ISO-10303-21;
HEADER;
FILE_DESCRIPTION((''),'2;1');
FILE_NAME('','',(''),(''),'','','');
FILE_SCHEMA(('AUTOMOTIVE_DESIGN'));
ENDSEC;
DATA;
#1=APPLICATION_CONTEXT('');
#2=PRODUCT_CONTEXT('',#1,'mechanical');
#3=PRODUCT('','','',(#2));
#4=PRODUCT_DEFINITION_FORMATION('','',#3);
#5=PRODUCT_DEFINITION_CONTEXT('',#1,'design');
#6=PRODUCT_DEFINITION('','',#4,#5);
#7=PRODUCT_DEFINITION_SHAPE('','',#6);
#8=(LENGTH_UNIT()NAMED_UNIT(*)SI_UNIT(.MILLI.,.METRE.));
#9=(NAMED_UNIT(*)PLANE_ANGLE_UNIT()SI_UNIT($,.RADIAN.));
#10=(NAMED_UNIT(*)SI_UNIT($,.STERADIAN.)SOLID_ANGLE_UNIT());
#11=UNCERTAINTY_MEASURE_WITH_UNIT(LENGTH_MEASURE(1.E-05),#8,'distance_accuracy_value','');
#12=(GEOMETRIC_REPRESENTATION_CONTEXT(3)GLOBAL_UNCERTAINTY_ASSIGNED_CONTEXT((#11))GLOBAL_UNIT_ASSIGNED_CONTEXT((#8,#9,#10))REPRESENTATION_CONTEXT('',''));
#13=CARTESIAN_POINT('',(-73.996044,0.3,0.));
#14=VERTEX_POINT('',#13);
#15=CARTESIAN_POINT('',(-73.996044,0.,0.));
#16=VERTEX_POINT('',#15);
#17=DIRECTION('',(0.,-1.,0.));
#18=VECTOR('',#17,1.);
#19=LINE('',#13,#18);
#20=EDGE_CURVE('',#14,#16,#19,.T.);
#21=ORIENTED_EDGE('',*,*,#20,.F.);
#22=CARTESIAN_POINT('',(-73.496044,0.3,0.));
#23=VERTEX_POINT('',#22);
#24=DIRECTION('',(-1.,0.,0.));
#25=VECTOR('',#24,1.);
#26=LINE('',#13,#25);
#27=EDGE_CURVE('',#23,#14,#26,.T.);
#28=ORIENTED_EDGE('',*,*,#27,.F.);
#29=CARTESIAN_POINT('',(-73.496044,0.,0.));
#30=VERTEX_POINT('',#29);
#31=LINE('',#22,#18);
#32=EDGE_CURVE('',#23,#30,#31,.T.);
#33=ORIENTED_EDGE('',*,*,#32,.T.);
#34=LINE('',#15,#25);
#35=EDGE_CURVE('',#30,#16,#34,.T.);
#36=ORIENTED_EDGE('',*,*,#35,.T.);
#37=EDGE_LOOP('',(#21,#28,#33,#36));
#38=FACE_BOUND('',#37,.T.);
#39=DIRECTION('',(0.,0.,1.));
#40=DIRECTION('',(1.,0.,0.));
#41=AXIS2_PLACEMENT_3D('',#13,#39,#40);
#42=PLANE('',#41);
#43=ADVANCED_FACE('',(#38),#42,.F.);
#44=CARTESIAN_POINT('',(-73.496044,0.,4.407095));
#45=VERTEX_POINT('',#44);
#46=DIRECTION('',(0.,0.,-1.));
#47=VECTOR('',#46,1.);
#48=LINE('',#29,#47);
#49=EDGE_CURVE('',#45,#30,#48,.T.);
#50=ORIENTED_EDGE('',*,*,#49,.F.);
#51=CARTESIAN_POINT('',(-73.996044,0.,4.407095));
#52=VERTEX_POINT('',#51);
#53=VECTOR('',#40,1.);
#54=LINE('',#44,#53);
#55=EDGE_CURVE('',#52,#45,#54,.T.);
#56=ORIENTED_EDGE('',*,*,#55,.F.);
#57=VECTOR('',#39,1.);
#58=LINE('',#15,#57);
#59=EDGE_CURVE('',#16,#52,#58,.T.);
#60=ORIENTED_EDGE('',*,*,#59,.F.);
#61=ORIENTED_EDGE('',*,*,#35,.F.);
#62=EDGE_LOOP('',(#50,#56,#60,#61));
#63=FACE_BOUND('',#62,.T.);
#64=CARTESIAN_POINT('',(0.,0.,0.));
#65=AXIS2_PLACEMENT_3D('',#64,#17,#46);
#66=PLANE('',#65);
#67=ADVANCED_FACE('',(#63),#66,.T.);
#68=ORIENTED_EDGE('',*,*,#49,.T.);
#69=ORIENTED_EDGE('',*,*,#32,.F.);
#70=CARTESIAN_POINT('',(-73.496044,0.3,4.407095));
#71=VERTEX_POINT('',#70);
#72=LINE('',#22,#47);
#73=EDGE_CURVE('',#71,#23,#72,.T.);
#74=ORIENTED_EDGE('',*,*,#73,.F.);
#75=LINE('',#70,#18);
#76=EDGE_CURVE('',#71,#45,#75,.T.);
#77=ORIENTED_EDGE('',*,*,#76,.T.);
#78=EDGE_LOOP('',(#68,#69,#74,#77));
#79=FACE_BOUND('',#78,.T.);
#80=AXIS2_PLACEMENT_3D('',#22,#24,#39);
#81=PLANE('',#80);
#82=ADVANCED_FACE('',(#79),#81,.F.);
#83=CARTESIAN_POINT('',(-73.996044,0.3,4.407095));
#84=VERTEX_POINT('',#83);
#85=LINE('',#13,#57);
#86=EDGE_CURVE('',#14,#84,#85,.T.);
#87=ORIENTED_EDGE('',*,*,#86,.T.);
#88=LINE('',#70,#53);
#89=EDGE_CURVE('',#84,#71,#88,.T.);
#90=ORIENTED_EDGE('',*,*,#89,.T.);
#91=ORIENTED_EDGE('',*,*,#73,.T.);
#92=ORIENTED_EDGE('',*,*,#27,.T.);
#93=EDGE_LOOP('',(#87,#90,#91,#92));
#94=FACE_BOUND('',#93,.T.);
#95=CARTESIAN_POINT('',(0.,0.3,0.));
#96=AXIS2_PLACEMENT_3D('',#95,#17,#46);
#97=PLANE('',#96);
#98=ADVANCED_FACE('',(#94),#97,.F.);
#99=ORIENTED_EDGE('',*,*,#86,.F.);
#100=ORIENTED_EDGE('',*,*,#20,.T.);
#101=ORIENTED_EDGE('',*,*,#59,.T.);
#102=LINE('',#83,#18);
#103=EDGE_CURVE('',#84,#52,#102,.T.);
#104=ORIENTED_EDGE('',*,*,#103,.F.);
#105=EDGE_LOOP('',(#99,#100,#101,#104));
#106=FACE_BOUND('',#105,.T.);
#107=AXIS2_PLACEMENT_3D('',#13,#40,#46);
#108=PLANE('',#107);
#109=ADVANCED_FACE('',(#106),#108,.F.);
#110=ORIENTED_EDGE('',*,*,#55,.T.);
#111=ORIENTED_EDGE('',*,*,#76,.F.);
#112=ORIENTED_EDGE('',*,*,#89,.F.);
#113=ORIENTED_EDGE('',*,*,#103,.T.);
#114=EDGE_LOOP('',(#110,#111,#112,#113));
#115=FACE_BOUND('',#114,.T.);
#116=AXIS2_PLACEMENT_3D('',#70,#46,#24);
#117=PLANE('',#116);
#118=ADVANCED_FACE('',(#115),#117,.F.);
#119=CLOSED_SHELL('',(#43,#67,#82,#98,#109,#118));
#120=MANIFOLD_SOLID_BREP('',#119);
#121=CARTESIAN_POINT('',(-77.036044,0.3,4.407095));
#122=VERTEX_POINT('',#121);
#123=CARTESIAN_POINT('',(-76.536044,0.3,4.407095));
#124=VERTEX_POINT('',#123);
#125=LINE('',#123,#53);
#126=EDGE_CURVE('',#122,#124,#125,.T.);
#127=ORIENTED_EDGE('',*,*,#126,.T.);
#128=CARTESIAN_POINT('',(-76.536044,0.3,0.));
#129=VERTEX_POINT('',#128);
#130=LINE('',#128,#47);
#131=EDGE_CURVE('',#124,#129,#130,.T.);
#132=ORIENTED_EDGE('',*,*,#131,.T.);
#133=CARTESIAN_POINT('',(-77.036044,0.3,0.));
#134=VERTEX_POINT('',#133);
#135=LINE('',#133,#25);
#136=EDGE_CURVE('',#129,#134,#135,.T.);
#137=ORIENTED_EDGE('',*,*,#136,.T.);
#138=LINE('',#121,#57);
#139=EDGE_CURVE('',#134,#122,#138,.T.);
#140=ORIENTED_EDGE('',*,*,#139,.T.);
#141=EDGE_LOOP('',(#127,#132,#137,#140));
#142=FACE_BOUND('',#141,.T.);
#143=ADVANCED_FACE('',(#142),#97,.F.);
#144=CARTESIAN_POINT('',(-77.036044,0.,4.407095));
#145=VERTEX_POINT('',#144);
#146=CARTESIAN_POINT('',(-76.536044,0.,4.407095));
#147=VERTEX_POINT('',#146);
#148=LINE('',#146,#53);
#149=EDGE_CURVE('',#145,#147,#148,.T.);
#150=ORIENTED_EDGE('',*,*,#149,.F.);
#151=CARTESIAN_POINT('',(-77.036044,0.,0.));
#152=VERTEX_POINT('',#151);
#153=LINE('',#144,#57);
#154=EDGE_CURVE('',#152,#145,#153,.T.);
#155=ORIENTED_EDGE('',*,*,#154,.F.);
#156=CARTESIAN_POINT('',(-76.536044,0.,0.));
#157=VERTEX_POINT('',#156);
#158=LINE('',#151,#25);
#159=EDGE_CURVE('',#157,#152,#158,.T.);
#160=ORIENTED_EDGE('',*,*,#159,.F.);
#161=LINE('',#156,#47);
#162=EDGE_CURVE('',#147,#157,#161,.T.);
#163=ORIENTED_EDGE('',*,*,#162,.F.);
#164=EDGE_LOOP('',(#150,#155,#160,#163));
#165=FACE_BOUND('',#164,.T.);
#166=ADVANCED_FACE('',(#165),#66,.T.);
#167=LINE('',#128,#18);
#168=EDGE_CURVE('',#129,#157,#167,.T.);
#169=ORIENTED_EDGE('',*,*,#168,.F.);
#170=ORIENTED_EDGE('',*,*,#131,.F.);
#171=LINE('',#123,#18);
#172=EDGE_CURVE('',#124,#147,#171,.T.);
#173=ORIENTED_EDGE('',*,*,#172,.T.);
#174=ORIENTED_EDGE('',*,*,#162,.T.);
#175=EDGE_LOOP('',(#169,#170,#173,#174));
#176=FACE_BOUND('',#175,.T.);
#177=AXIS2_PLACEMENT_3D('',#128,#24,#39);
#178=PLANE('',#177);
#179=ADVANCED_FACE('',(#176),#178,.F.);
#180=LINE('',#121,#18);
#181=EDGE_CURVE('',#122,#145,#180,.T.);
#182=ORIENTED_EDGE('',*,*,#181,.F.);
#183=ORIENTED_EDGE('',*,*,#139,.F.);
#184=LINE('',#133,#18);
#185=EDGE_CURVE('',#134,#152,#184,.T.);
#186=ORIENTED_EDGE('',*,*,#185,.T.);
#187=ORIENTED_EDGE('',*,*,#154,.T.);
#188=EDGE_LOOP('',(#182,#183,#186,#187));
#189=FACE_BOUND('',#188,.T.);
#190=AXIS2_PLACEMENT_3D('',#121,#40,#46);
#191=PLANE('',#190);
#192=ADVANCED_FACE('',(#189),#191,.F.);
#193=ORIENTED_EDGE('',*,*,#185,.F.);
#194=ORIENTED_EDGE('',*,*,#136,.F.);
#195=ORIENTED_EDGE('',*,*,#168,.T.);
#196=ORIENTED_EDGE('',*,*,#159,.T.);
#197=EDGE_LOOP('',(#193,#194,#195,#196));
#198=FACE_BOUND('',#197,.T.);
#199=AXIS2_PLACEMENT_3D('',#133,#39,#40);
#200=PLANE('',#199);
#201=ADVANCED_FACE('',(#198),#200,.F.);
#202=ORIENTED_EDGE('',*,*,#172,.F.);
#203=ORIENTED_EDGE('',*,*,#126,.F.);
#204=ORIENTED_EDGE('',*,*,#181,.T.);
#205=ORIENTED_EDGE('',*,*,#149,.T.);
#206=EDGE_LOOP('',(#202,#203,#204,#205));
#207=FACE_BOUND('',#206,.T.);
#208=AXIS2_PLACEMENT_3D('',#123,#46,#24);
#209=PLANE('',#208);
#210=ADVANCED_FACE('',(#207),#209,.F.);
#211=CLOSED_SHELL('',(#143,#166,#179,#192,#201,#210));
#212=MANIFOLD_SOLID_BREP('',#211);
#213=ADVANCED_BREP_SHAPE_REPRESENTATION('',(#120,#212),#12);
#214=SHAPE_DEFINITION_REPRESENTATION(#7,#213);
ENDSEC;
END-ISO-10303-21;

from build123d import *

# Parameters (mm, degrees)
SKETCH_1_W        = 0.5
SKETCH_1_H        = 4.407095456
EXTRUDE_1_DEPTH   = 0.3
EXTRUDE_1_2_DEPTH = 0.3


with BuildPart() as part:
    # Эскиз1 → Бобышка-Вытянуть1 (new body)
    with BuildSketch(Plane(origin=(0, 0, 0), x_dir=(1, 0, 0), z_dir=(0, 1, 0))):
        with Locations((-76.786043786, -2.203547728)):
            Rectangle(SKETCH_1_W, SKETCH_1_H)
    extrude(amount=EXTRUDE_1_DEPTH)


with BuildPart() as body_2:
    # Эскиз1 → Extrude 1 2 (new body)
    with BuildSketch(Plane(origin=(0, 0, 0), x_dir=(1, 0, 0), z_dir=(0, 1, 0))):
        with Locations((-73.746043786, -2.203547728)):
            Rectangle(SKETCH_1_W, SKETCH_1_H)
    extrude(amount=EXTRUDE_1_2_DEPTH)


solid = Compound([part.part, body_2.part])
